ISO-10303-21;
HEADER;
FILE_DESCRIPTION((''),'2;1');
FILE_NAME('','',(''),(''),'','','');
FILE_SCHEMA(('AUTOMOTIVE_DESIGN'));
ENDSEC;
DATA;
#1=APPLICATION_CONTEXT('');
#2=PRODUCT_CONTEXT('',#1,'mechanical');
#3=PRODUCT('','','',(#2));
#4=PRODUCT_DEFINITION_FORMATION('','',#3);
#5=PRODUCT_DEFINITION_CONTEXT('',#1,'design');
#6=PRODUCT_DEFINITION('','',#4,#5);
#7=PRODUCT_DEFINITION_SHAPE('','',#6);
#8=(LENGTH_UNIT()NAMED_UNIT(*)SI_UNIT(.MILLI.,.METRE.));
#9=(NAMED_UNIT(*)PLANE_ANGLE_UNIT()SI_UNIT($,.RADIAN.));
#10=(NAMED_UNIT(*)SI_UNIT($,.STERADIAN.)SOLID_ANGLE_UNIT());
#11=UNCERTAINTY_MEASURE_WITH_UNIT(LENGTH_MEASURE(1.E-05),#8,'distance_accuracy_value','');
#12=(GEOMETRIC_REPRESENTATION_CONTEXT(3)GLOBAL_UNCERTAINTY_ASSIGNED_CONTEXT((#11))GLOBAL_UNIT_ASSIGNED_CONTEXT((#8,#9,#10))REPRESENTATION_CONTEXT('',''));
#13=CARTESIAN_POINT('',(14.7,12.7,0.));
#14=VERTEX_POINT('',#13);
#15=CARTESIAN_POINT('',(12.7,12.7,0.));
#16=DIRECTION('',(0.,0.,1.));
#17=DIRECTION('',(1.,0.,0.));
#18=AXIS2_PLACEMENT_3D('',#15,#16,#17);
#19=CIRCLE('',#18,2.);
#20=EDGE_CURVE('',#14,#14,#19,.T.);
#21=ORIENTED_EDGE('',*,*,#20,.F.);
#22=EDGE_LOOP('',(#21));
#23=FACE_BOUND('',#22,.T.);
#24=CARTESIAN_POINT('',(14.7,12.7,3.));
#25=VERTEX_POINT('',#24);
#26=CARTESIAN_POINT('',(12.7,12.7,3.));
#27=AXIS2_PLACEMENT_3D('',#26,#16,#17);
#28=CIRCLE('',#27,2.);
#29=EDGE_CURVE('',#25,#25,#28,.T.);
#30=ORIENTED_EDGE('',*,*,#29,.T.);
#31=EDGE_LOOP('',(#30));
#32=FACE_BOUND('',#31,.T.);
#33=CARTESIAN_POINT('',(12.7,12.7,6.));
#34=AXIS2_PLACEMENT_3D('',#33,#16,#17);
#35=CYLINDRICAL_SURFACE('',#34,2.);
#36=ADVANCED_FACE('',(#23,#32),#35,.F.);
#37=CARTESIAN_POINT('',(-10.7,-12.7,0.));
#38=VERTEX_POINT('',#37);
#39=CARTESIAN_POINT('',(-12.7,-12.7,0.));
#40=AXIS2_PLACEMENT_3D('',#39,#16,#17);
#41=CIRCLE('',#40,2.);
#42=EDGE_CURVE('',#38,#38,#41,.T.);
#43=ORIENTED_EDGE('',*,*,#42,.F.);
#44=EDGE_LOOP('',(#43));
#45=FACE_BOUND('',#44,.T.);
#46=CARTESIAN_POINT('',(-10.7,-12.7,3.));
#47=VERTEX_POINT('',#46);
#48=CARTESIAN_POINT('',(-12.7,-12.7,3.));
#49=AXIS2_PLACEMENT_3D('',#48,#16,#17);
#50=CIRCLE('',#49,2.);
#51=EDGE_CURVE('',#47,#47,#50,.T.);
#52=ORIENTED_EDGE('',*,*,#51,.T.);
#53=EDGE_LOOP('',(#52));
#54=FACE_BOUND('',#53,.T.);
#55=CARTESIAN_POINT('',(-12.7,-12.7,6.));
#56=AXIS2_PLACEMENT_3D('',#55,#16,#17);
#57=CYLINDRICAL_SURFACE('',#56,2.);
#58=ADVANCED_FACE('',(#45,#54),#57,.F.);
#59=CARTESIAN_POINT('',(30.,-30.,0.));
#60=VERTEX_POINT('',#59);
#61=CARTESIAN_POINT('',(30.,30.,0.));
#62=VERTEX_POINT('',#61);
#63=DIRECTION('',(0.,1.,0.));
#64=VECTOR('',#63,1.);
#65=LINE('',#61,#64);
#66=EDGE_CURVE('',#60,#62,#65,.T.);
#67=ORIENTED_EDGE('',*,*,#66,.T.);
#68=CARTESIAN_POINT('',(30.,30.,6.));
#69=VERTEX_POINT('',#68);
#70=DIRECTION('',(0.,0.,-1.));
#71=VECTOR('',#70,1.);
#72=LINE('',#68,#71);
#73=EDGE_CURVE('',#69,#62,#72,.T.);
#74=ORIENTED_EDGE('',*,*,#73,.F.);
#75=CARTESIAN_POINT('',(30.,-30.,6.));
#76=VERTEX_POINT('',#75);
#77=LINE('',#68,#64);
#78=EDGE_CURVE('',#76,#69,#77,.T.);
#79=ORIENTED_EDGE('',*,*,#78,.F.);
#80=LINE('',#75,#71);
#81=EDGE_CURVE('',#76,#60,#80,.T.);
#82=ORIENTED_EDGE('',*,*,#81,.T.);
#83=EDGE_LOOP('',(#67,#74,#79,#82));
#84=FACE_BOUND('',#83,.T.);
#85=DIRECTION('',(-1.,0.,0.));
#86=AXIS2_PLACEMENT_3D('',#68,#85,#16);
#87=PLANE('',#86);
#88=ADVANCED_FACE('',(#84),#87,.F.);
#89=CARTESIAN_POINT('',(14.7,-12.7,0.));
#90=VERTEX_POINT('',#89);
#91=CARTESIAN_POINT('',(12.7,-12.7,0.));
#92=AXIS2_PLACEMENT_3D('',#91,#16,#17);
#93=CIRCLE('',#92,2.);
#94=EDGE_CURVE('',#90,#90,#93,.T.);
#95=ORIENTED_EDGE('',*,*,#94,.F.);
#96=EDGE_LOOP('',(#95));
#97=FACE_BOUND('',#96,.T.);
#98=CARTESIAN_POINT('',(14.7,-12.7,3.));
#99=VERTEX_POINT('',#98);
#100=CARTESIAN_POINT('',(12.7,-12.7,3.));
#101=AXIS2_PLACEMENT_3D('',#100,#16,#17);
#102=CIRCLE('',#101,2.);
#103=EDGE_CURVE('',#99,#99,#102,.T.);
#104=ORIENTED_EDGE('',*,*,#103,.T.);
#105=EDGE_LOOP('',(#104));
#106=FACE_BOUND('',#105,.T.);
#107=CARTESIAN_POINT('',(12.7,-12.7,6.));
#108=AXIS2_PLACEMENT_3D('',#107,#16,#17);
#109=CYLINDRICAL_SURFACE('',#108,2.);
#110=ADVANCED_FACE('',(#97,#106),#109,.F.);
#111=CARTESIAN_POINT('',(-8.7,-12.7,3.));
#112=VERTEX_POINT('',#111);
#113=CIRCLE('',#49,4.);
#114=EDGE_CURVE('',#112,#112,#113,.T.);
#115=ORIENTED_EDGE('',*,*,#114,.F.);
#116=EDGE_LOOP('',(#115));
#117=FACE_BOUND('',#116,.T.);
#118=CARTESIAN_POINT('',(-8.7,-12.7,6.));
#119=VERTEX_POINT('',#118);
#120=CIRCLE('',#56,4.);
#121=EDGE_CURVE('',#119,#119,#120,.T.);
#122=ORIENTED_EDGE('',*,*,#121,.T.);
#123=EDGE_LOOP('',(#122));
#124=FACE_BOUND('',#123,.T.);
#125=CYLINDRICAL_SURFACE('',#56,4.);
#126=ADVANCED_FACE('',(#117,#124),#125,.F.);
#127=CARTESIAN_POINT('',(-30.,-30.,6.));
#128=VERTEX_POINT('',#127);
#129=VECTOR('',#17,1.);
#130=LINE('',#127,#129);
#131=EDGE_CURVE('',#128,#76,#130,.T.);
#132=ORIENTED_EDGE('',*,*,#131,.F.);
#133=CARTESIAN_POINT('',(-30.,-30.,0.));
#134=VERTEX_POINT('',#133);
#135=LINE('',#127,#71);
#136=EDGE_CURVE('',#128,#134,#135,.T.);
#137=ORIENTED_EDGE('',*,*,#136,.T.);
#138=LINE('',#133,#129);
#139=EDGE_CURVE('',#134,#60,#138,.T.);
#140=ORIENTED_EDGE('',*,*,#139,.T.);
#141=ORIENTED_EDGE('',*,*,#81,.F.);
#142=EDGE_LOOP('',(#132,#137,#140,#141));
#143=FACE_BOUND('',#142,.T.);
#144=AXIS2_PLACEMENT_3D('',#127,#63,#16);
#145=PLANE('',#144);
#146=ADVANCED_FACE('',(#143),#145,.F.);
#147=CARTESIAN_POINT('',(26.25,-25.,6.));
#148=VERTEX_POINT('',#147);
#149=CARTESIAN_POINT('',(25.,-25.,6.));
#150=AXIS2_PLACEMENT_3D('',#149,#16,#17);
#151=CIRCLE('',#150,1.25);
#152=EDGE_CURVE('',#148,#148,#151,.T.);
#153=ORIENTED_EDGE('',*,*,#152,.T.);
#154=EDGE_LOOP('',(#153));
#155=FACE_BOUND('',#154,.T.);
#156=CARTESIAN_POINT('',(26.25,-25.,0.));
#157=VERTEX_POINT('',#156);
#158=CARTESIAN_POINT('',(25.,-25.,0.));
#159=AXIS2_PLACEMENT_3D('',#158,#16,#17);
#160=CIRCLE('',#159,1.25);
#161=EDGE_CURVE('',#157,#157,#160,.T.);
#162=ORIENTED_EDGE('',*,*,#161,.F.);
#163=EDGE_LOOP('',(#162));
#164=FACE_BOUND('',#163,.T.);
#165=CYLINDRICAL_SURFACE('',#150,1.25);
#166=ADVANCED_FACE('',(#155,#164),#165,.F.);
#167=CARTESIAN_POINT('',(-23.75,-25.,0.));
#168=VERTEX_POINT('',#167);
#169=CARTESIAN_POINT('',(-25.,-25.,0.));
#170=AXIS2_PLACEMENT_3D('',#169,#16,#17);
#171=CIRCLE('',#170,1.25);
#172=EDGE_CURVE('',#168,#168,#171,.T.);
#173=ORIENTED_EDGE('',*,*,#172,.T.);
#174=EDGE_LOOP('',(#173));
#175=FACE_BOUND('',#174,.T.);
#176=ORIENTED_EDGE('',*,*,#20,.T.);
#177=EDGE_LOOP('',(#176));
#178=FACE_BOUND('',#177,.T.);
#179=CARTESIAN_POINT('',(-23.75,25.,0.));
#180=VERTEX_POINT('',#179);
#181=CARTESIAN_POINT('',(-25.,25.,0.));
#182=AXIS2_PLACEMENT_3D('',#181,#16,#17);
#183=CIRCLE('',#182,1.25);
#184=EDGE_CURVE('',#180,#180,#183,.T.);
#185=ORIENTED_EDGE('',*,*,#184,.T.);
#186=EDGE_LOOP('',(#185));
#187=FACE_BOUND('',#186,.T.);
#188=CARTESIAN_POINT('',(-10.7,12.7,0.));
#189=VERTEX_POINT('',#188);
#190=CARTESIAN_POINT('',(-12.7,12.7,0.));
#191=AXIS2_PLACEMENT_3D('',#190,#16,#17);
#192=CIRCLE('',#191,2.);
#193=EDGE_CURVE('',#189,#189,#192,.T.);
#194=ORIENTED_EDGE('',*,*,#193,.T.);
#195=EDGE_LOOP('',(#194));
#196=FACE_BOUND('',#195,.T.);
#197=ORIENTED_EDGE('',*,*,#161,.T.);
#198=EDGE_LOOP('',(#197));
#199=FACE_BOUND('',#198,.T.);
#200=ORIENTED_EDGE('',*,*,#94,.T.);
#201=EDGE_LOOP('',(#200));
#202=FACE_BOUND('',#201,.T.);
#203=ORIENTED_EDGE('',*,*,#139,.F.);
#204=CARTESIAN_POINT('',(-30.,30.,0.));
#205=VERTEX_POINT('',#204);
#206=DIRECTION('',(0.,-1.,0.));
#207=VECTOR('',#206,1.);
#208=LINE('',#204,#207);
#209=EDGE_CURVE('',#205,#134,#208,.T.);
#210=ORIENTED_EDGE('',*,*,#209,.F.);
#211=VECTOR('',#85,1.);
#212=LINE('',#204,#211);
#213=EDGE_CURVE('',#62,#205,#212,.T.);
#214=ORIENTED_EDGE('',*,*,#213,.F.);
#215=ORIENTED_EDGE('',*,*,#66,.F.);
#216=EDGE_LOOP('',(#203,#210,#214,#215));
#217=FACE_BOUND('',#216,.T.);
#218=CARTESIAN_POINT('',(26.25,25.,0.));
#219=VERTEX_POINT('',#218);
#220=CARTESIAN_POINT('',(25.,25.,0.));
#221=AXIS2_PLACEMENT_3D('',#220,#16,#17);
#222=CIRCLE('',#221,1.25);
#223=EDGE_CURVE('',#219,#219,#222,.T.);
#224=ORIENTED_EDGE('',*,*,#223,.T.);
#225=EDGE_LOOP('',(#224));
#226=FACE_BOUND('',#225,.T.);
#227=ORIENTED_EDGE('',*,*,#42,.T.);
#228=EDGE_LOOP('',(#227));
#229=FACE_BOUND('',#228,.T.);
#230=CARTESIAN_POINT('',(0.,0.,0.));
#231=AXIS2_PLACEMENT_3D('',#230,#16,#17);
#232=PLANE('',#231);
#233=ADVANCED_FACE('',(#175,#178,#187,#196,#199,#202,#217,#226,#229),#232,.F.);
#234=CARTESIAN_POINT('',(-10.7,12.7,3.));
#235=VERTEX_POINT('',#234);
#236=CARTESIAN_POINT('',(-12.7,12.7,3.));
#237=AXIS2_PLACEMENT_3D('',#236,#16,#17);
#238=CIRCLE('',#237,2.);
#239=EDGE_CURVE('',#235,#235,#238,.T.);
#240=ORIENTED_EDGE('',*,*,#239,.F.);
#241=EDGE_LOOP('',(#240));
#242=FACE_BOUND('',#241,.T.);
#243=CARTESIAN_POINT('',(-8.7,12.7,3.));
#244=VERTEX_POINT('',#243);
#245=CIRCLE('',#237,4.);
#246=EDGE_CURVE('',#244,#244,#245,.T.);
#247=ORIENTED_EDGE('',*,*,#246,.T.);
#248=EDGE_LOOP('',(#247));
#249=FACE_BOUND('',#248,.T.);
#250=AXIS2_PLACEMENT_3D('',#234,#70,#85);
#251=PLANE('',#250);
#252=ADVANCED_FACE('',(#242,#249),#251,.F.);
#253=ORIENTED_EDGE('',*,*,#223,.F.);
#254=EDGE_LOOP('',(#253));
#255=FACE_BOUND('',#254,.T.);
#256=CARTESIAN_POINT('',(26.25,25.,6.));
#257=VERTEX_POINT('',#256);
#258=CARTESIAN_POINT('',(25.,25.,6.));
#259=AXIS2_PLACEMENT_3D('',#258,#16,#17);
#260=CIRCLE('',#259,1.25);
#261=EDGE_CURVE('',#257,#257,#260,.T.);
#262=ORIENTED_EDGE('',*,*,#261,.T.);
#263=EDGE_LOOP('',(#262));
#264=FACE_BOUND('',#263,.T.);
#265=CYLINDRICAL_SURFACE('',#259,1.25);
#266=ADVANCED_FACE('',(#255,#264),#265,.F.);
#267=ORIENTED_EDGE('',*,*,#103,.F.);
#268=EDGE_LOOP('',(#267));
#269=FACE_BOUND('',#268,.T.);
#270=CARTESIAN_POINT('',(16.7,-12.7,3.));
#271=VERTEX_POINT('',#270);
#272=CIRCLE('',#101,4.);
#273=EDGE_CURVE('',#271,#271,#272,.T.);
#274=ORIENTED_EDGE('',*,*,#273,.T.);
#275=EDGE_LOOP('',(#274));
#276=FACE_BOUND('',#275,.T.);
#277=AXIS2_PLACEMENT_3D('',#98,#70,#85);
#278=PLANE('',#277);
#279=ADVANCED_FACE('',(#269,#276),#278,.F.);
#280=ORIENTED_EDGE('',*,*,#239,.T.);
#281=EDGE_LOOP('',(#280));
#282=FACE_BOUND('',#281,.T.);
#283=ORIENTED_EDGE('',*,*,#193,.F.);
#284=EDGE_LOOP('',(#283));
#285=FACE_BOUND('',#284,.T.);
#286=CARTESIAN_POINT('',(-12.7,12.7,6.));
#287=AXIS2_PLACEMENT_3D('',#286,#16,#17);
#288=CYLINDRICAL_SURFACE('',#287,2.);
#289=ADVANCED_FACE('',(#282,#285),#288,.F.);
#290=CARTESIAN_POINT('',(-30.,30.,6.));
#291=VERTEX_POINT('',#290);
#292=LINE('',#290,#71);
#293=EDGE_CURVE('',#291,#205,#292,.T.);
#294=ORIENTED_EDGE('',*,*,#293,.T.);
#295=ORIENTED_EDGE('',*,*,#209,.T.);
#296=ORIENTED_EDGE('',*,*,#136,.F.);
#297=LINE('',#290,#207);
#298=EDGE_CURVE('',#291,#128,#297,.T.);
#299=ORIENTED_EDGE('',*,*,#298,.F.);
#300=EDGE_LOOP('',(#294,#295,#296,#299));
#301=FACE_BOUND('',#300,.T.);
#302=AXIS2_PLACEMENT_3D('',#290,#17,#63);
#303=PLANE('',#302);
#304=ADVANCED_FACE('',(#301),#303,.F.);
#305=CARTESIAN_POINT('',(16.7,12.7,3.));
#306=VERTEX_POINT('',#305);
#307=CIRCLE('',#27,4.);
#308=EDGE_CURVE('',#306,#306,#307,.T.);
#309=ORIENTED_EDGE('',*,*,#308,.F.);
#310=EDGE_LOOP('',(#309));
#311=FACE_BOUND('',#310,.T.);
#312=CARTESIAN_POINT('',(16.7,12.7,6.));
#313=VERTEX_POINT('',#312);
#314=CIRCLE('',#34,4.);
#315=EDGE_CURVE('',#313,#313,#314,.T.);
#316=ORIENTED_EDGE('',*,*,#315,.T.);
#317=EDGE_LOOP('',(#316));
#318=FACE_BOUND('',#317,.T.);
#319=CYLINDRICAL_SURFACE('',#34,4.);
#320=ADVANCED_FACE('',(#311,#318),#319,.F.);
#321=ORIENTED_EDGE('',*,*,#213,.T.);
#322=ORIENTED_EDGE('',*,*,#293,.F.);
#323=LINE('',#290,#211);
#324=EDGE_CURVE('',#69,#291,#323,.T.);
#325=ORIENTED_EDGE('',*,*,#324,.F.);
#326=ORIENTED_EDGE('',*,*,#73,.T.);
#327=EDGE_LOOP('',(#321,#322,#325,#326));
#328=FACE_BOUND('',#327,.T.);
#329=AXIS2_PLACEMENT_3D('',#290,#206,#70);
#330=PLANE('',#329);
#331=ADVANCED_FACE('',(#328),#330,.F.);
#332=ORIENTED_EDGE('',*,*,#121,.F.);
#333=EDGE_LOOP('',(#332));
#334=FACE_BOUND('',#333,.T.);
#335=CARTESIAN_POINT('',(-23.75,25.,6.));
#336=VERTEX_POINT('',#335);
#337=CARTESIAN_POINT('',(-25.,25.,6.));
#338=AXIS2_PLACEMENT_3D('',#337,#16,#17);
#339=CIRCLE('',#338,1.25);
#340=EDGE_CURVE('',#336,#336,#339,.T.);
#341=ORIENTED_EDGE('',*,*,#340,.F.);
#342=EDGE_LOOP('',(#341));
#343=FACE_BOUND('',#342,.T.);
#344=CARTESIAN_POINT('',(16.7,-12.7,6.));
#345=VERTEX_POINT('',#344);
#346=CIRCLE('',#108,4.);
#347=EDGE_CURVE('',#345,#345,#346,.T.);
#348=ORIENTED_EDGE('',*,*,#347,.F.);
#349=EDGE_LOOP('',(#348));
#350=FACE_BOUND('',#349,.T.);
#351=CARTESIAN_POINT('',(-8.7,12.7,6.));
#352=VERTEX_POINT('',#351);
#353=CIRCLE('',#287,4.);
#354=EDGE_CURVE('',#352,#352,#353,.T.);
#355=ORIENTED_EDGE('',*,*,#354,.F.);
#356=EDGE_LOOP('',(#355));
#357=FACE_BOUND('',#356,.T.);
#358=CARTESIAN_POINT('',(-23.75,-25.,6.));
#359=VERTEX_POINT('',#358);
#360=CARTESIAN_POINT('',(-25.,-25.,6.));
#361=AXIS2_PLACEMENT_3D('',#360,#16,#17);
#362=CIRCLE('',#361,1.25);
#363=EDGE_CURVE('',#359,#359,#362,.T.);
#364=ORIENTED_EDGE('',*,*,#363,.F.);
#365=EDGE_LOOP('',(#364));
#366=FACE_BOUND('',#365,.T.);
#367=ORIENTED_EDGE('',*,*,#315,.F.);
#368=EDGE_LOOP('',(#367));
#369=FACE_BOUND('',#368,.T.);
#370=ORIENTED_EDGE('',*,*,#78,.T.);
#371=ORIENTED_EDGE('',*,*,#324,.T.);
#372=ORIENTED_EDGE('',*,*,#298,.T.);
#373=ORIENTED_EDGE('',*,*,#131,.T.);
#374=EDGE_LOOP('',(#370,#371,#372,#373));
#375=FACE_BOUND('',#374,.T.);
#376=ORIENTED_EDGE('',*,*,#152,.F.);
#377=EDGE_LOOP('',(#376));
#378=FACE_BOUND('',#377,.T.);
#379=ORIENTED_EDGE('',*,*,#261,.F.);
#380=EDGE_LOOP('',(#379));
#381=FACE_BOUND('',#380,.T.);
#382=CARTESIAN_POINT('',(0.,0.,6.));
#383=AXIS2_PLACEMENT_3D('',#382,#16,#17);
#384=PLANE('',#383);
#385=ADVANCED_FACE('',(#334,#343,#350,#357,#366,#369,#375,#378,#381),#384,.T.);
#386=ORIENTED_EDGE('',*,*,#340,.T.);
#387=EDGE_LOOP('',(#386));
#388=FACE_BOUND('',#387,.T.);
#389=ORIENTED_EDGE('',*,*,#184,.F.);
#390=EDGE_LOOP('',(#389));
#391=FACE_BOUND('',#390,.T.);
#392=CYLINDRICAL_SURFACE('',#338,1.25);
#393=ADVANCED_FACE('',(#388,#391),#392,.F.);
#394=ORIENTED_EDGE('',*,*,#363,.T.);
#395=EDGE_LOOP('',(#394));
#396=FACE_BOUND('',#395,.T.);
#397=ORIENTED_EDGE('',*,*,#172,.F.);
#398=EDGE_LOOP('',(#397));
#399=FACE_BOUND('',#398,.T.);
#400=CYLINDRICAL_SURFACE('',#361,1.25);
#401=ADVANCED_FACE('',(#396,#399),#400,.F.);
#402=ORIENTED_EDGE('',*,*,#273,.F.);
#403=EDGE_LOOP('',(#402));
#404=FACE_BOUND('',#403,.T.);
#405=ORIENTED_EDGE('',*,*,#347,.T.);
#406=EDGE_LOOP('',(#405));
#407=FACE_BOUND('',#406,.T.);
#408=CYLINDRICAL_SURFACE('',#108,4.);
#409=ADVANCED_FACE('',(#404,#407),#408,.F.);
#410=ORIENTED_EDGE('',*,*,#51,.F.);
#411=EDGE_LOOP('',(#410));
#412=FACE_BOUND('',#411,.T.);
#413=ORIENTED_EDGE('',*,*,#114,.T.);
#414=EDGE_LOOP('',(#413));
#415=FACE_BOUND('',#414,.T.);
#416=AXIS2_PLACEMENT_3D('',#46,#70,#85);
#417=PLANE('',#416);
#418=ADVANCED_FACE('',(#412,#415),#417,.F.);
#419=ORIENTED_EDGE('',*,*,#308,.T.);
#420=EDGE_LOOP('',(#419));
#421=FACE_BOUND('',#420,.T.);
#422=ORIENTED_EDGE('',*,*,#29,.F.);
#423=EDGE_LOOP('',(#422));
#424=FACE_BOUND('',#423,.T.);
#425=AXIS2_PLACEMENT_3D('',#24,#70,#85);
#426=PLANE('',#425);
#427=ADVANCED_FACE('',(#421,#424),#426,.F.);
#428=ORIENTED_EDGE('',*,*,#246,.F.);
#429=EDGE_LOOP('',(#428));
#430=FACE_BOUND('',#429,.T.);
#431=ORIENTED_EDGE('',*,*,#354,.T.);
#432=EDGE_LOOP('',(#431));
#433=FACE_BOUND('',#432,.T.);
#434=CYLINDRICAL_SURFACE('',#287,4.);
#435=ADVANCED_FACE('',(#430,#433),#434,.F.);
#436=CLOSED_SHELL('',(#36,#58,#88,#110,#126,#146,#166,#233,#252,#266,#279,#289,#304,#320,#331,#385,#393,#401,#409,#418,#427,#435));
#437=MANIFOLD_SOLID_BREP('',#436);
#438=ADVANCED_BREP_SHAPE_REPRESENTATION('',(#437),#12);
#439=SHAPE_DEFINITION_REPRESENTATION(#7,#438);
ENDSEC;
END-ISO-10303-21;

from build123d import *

# Parameters (mm, degrees)
SKETCH_1_W                = 60
SKETCH_1_H                = 60
EXTRUDE_1_DEPTH           = 6
HOLE_WIZARD_M3_1_D        = 2.5
HOLE_WIZARD_1_D           = 4
HOLE_WIZARD_1_CBORE_D     = 8
HOLE_WIZARD_1_CBORE_DEPTH = 3


with BuildPart() as part:
    # 草图1 → 凸台-拉伸1 (new body)
    with BuildSketch(Plane.XY):
        Rectangle(SKETCH_1_W, SKETCH_1_H)
    extrude(amount=EXTRUDE_1_DEPTH)

    # M3 螺纹孔1 (through all)
    with Locations(Plane(origin=(-25, 25, 6), x_dir=(1, 0, 0), z_dir=(0, 0, 1))):
        with Locations((0, 0), (50, 0), (50, -50), (0, -50)):
            Hole(HOLE_WIZARD_M3_1_D / 2)

    # 孔1 (through all)
    with Locations(Plane(origin=(-12.7, 12.7, 6), x_dir=(1, 0, 0), z_dir=(0, 0, 1))):
        with Locations((0, 0), (25.4, 0), (25.4, -25.4), (0, -25.4)):
            CounterBoreHole(HOLE_WIZARD_1_D / 2, HOLE_WIZARD_1_CBORE_D / 2, HOLE_WIZARD_1_CBORE_DEPTH)


solid = part.part
